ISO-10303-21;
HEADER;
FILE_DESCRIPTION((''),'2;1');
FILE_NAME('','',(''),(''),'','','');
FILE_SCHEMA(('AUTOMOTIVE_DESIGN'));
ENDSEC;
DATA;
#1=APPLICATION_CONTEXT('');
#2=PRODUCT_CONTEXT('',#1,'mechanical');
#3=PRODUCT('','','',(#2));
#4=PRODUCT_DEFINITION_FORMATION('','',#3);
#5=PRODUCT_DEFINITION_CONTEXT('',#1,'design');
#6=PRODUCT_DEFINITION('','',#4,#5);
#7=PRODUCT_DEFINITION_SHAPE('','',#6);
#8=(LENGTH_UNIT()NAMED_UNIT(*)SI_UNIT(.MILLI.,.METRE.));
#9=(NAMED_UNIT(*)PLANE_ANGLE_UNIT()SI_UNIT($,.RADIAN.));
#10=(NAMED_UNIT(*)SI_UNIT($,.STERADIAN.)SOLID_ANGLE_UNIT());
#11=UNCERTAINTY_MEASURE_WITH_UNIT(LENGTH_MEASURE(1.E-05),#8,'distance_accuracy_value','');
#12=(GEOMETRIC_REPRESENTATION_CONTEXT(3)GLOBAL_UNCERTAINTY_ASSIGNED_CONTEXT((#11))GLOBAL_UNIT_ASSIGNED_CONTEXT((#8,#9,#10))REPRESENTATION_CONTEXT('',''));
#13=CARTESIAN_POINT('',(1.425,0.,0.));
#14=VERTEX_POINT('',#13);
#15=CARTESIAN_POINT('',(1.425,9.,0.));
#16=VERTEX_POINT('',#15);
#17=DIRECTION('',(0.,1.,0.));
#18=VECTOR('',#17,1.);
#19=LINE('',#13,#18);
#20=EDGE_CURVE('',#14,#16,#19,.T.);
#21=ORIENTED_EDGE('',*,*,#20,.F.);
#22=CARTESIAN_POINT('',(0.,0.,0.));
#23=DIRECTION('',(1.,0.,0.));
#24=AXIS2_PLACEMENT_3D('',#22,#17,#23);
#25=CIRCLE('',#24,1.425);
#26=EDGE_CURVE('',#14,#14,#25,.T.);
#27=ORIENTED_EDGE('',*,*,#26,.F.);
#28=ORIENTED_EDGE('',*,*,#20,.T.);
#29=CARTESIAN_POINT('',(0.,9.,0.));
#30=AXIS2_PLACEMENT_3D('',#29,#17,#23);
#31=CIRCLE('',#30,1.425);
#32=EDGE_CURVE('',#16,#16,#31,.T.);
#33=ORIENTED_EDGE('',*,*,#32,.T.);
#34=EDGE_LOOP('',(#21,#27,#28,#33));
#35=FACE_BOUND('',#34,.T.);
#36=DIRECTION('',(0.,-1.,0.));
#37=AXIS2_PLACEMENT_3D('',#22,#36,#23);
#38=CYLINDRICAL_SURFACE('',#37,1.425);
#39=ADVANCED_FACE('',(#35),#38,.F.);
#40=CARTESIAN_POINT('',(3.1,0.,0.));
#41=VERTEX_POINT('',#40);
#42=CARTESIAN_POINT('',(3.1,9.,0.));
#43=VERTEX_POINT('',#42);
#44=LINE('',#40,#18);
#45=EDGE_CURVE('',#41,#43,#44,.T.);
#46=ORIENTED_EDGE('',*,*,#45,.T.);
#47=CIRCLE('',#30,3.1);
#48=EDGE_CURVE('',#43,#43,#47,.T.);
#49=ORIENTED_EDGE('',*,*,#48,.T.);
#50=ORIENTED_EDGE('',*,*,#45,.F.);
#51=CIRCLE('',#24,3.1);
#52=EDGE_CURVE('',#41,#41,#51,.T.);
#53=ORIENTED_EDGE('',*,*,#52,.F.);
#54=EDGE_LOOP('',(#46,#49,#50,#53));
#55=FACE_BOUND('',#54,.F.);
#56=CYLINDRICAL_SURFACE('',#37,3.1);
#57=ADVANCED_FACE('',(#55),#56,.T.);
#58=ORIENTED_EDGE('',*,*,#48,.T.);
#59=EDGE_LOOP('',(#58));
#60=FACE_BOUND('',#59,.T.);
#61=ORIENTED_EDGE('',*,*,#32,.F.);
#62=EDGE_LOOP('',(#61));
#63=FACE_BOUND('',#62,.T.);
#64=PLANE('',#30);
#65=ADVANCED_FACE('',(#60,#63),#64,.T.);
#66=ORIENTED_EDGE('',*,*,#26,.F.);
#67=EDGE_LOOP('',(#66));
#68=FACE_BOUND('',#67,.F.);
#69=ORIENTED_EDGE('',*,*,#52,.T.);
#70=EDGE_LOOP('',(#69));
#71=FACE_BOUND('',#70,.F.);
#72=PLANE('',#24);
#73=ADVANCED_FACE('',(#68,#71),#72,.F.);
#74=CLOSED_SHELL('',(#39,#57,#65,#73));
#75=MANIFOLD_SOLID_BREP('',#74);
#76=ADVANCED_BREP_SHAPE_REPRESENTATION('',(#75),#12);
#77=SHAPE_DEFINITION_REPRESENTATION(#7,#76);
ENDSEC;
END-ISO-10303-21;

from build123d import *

# Parameters (mm, degrees)
SKETCH1_R           = 3.1
SKETCH1_R_2         = 1.425
BOSS_EXTRUDE1_DEPTH = 9


with BuildPart() as part:
    # Sketch1 → Boss-Extrude1 (new body)
    with BuildSketch(Plane(origin=(0, 0, 0), x_dir=(1, 0, 0), z_dir=(0, 1, 0))):
        Circle(SKETCH1_R)
        Circle(SKETCH1_R_2, mode=Mode.SUBTRACT)
    extrude(amount=BOSS_EXTRUDE1_DEPTH)


solid = part.part
